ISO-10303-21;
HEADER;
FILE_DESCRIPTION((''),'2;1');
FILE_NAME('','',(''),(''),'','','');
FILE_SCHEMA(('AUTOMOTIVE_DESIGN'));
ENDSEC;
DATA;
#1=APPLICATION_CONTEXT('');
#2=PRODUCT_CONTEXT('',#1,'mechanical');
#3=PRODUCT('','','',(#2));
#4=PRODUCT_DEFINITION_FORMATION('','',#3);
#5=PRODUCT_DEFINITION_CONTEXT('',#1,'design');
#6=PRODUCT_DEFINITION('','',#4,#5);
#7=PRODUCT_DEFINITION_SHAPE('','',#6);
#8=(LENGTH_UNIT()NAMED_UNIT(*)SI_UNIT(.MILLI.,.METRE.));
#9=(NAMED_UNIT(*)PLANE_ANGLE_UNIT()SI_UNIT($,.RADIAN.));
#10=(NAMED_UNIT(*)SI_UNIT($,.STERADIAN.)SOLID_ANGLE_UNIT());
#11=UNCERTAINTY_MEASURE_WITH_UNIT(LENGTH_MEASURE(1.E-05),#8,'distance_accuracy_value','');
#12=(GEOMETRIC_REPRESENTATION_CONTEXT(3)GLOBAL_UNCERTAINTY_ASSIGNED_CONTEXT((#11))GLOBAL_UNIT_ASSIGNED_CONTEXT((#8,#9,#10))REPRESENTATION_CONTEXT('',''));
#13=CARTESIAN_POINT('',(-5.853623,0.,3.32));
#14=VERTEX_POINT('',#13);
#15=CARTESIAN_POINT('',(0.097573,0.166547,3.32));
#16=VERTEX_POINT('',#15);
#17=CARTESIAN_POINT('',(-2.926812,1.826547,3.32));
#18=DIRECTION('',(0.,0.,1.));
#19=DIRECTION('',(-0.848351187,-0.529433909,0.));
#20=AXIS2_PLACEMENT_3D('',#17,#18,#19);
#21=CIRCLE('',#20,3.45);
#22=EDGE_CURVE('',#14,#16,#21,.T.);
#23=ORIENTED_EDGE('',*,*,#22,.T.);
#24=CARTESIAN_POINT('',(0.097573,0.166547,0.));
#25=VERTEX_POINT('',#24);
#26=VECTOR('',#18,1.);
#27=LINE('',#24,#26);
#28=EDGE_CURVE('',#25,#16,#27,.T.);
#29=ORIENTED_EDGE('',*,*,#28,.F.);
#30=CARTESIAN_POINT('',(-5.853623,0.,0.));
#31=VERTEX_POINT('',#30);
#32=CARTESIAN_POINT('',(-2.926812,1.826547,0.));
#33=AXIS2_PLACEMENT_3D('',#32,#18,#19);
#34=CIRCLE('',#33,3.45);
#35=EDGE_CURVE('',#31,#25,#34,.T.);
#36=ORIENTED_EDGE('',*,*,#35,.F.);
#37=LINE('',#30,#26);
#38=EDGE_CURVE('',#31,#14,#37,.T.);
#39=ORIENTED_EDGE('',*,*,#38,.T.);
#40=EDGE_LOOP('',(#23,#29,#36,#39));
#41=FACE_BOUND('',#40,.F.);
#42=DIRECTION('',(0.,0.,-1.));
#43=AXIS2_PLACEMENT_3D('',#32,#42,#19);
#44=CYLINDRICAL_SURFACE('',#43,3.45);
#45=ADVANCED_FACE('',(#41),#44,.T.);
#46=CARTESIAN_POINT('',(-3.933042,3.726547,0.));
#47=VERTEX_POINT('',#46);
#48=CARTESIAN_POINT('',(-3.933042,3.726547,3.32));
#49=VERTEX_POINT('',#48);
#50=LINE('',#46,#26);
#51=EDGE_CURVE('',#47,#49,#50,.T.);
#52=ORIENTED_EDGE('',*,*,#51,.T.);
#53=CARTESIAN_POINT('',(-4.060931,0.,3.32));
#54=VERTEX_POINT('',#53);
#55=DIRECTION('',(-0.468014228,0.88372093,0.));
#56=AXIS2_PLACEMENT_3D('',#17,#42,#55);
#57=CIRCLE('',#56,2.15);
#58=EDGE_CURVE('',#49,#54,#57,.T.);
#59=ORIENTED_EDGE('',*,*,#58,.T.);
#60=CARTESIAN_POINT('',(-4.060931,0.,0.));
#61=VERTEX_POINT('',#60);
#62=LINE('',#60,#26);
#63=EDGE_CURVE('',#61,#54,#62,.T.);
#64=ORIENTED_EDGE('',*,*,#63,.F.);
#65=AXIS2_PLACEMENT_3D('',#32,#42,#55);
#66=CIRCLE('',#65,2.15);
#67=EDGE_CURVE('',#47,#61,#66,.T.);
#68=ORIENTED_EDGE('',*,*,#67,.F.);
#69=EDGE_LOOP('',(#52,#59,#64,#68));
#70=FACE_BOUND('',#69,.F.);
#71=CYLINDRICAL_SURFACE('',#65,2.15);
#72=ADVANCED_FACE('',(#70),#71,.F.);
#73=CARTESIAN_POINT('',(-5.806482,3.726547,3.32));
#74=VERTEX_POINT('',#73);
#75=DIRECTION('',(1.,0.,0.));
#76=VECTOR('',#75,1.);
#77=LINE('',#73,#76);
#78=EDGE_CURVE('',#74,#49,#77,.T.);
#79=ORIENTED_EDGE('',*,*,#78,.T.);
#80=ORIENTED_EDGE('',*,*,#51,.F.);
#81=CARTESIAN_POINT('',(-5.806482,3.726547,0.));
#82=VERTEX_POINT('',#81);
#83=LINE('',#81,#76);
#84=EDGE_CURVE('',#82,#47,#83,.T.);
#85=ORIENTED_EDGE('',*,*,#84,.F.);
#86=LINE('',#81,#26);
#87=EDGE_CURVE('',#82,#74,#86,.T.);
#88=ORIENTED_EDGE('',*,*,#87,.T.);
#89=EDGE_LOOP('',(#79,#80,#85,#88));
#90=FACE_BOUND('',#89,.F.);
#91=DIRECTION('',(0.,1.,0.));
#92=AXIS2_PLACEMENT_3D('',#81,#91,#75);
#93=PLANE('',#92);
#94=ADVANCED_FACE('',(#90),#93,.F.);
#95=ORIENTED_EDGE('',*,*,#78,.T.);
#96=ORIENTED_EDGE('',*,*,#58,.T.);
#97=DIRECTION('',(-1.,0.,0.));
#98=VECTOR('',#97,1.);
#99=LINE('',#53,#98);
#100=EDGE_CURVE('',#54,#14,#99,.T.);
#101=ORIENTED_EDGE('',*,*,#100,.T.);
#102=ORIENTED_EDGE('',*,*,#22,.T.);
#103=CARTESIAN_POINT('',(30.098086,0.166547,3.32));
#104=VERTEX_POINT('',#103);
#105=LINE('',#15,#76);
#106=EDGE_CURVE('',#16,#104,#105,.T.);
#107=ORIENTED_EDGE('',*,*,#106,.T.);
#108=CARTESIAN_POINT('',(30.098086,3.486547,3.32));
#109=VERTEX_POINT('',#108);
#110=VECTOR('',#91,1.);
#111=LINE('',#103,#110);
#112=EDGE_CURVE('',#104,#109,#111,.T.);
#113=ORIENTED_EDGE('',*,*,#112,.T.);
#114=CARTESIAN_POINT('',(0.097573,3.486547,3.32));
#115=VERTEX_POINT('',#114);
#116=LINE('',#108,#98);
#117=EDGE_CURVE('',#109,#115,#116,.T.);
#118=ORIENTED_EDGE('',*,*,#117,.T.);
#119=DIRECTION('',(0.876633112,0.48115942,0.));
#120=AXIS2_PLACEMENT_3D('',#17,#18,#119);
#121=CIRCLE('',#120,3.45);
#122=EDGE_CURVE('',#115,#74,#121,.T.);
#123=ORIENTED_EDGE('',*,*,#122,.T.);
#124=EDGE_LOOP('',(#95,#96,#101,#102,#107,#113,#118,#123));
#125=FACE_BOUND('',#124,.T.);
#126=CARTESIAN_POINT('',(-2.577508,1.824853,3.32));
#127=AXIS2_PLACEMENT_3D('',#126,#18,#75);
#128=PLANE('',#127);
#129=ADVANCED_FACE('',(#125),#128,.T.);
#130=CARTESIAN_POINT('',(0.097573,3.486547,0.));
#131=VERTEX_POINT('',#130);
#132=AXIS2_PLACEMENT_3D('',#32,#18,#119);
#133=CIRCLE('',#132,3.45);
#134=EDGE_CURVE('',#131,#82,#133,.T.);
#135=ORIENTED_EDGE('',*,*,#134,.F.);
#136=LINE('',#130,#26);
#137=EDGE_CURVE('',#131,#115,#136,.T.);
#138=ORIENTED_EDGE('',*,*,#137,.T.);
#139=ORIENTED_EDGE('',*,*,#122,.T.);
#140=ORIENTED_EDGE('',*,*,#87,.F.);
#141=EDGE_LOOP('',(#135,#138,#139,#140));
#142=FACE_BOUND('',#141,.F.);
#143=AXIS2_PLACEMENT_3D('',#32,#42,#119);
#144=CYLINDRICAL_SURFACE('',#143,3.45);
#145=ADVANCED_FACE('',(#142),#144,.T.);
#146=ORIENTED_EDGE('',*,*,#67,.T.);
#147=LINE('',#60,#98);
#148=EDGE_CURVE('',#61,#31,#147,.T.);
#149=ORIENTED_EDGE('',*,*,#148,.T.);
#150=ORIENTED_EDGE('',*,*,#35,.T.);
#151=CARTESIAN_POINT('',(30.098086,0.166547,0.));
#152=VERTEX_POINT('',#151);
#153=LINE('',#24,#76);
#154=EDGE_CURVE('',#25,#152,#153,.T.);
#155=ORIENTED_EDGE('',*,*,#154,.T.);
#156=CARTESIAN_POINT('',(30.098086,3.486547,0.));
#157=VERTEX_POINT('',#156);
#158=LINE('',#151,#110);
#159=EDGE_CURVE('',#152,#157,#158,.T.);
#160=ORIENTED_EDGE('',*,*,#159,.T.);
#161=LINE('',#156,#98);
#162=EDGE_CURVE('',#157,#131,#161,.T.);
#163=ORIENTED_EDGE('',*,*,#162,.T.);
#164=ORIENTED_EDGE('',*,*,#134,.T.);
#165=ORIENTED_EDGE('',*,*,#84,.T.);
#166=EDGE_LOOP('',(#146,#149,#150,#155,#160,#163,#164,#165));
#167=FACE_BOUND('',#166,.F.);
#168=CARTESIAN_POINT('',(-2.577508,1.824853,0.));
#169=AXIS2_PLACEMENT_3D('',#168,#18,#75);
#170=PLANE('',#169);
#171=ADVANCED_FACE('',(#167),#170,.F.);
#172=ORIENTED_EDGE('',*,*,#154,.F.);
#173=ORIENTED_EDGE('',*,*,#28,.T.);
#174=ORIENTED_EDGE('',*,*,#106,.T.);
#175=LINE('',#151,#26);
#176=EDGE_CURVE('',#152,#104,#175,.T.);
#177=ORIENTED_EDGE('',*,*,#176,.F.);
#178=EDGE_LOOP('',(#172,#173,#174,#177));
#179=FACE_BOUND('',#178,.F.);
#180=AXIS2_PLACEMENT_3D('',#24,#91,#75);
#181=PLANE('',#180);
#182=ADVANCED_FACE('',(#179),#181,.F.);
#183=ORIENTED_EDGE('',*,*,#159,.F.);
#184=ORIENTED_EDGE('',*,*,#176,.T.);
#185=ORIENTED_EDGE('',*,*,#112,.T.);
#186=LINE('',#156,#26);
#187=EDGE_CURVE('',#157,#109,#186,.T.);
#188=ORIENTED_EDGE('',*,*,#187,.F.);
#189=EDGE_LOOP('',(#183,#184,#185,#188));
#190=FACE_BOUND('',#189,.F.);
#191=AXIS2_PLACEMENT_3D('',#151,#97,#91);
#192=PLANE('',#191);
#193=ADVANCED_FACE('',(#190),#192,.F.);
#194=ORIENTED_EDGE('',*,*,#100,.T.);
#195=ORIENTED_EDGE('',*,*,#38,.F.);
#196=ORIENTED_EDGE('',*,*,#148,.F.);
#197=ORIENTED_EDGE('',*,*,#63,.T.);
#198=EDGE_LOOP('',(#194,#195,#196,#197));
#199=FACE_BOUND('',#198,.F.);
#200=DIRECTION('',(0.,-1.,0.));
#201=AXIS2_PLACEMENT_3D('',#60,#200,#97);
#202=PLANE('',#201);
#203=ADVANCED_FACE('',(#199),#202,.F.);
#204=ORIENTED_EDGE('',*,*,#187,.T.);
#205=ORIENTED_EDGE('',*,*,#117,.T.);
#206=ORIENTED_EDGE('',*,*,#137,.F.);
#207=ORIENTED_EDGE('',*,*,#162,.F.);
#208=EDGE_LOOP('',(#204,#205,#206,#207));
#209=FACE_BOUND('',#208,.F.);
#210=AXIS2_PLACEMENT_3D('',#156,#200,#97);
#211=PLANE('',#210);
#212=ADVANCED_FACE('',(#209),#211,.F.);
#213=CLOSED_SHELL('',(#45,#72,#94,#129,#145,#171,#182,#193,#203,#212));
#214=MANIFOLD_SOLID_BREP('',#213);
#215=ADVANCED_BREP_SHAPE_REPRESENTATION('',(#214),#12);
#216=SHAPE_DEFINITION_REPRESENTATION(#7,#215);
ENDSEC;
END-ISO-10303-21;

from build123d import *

# Parameters (mm, degrees)
F1_DEPTH = 3.32


with BuildPart() as f1:
    # F0 (on Top) → F1 (new body)
    with BuildSketch(Plane.XY):
        with BuildLine():
            Line((-4.0609306832, 0), (-5.8536231884, 0))
            ThreePointArc((-5.8536231884, 0), (-2.830299524, -1.6221028107), (0.0975726406, 0.166546986))
            Line((0.0975726406, 0.166546986), (0.0975726406, 3.486546986))
            ThreePointArc((0.0975726406, 3.486546986), (-2.7866847097, 5.2737000804), (-5.8064817142, 3.726546986))
            Line((-5.8064817142, 3.726546986), (-3.9330421841, 3.726546986))
            ThreePointArc((-3.9330421841, 3.726546986), (-0.7780765485, 1.752806201), (-4.0609306832, 0))
        make_face()
        with BuildLine():
            Line((0.0975726406, 3.486546986), (0.0975726406, 0.166546986))
            ThreePointArc((0.0975726406, 0.166546986), (0.5231884058, 1.826546986), (0.0975726406, 3.486546986))
        make_face()
        with BuildLine():
            ThreePointArc((0.0975726406, 3.486546986), (0.5231884058, 1.826546986), (0.0975726406, 0.166546986))
            Line((0.0975726406, 0.166546986), (30.0975726406, 0.166546986))
            Line((30.0975726406, 0.166546986), (30.0980855463, 0.166546986))
            Line((30.0980855463, 0.166546986), (30.0980855463, 3.486546986))
            Line((30.0980855463, 3.486546986), (0.0975726406, 3.486546986))
        make_face()
    extrude(amount=F1_DEPTH)


solid = f1.part
